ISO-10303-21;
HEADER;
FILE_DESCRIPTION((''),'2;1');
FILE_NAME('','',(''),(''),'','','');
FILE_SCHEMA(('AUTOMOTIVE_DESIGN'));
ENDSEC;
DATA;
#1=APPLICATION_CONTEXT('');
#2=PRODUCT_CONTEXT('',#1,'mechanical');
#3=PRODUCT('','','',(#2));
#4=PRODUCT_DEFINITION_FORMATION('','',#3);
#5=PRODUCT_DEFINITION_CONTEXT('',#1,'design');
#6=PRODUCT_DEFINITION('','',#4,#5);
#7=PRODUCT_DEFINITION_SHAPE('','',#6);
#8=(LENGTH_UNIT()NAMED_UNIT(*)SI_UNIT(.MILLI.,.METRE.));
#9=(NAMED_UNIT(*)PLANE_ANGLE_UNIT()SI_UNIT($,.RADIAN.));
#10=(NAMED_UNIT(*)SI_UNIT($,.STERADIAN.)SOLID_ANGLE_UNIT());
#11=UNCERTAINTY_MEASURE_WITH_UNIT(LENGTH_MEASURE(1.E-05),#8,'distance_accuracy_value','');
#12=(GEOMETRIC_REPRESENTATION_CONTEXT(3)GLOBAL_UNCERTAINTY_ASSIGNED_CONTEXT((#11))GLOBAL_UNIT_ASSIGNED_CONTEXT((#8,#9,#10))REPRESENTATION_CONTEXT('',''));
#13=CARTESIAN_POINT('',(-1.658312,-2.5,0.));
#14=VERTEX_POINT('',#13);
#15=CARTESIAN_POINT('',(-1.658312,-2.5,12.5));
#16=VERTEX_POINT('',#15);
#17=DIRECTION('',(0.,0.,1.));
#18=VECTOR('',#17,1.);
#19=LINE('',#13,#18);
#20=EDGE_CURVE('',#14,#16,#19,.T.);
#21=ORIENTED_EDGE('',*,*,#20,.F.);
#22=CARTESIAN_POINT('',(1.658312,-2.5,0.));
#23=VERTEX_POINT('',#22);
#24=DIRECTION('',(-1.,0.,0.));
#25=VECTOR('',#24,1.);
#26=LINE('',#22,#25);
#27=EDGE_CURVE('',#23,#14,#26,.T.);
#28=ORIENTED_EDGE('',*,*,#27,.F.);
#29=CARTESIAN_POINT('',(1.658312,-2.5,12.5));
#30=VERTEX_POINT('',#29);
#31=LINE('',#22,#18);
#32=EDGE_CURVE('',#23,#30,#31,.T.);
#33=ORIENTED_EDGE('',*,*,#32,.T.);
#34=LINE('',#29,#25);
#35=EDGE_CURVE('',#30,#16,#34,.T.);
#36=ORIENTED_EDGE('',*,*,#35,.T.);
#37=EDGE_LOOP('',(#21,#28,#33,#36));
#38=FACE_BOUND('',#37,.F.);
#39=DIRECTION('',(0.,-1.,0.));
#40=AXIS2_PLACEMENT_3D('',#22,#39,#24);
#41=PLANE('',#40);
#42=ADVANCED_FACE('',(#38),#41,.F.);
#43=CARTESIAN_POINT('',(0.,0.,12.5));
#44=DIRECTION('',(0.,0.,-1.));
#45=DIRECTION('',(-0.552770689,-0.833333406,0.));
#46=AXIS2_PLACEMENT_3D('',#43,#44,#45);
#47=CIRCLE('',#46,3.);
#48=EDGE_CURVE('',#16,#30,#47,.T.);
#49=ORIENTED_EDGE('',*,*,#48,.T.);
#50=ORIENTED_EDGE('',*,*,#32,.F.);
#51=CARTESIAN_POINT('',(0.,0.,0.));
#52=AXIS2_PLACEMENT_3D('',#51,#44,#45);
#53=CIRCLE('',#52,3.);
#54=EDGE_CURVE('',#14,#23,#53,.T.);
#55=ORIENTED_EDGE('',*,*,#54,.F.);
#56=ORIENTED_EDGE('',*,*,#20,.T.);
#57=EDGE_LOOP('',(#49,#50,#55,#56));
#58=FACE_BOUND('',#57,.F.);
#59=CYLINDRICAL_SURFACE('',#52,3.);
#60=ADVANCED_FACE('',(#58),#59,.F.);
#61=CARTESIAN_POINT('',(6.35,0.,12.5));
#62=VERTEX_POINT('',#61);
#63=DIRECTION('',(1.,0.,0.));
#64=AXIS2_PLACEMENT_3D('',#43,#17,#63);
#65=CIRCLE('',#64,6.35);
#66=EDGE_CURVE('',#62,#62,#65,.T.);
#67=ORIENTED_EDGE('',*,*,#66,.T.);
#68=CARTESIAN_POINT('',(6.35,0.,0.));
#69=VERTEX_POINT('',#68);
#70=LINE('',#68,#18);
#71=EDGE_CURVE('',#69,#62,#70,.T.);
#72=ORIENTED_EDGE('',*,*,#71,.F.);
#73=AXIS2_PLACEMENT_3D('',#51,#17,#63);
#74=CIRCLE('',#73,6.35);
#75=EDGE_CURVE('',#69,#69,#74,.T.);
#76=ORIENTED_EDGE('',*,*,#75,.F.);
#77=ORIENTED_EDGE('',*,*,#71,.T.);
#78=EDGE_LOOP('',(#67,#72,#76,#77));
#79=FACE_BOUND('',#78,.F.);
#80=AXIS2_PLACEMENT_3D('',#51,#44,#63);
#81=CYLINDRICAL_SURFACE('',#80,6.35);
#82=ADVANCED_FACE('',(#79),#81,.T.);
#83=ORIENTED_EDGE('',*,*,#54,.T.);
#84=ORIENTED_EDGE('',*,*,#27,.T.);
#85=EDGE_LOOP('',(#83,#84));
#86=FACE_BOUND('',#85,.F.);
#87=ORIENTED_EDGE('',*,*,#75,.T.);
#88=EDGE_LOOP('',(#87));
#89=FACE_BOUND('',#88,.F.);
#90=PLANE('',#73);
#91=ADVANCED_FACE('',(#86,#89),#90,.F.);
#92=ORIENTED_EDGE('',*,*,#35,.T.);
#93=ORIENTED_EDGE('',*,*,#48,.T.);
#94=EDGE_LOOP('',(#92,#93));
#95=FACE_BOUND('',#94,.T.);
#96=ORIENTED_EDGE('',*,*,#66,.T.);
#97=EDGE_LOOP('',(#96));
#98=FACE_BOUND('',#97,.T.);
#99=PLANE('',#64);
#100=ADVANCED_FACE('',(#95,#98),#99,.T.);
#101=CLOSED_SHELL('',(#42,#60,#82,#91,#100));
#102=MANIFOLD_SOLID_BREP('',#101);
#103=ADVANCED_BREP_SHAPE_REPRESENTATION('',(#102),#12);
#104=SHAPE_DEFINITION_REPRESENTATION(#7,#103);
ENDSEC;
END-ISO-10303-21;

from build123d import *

# Parameters (mm, degrees)
F0_R     = 6.35
F1_DEPTH = 12.5


with BuildPart() as f1:
    # F0 (on Top) → F1 (new body)
    with BuildSketch(Plane.XY):
        Circle(F0_R)
        with BuildLine():
            ThreePointArc((-1.658312, -2.5), (0, 3), (1.658312, -2.5))
            Line((1.658312, -2.5), (-1.658312, -2.5))
        make_face(mode=Mode.SUBTRACT)
    extrude(amount=F1_DEPTH)


solid = f1.part
